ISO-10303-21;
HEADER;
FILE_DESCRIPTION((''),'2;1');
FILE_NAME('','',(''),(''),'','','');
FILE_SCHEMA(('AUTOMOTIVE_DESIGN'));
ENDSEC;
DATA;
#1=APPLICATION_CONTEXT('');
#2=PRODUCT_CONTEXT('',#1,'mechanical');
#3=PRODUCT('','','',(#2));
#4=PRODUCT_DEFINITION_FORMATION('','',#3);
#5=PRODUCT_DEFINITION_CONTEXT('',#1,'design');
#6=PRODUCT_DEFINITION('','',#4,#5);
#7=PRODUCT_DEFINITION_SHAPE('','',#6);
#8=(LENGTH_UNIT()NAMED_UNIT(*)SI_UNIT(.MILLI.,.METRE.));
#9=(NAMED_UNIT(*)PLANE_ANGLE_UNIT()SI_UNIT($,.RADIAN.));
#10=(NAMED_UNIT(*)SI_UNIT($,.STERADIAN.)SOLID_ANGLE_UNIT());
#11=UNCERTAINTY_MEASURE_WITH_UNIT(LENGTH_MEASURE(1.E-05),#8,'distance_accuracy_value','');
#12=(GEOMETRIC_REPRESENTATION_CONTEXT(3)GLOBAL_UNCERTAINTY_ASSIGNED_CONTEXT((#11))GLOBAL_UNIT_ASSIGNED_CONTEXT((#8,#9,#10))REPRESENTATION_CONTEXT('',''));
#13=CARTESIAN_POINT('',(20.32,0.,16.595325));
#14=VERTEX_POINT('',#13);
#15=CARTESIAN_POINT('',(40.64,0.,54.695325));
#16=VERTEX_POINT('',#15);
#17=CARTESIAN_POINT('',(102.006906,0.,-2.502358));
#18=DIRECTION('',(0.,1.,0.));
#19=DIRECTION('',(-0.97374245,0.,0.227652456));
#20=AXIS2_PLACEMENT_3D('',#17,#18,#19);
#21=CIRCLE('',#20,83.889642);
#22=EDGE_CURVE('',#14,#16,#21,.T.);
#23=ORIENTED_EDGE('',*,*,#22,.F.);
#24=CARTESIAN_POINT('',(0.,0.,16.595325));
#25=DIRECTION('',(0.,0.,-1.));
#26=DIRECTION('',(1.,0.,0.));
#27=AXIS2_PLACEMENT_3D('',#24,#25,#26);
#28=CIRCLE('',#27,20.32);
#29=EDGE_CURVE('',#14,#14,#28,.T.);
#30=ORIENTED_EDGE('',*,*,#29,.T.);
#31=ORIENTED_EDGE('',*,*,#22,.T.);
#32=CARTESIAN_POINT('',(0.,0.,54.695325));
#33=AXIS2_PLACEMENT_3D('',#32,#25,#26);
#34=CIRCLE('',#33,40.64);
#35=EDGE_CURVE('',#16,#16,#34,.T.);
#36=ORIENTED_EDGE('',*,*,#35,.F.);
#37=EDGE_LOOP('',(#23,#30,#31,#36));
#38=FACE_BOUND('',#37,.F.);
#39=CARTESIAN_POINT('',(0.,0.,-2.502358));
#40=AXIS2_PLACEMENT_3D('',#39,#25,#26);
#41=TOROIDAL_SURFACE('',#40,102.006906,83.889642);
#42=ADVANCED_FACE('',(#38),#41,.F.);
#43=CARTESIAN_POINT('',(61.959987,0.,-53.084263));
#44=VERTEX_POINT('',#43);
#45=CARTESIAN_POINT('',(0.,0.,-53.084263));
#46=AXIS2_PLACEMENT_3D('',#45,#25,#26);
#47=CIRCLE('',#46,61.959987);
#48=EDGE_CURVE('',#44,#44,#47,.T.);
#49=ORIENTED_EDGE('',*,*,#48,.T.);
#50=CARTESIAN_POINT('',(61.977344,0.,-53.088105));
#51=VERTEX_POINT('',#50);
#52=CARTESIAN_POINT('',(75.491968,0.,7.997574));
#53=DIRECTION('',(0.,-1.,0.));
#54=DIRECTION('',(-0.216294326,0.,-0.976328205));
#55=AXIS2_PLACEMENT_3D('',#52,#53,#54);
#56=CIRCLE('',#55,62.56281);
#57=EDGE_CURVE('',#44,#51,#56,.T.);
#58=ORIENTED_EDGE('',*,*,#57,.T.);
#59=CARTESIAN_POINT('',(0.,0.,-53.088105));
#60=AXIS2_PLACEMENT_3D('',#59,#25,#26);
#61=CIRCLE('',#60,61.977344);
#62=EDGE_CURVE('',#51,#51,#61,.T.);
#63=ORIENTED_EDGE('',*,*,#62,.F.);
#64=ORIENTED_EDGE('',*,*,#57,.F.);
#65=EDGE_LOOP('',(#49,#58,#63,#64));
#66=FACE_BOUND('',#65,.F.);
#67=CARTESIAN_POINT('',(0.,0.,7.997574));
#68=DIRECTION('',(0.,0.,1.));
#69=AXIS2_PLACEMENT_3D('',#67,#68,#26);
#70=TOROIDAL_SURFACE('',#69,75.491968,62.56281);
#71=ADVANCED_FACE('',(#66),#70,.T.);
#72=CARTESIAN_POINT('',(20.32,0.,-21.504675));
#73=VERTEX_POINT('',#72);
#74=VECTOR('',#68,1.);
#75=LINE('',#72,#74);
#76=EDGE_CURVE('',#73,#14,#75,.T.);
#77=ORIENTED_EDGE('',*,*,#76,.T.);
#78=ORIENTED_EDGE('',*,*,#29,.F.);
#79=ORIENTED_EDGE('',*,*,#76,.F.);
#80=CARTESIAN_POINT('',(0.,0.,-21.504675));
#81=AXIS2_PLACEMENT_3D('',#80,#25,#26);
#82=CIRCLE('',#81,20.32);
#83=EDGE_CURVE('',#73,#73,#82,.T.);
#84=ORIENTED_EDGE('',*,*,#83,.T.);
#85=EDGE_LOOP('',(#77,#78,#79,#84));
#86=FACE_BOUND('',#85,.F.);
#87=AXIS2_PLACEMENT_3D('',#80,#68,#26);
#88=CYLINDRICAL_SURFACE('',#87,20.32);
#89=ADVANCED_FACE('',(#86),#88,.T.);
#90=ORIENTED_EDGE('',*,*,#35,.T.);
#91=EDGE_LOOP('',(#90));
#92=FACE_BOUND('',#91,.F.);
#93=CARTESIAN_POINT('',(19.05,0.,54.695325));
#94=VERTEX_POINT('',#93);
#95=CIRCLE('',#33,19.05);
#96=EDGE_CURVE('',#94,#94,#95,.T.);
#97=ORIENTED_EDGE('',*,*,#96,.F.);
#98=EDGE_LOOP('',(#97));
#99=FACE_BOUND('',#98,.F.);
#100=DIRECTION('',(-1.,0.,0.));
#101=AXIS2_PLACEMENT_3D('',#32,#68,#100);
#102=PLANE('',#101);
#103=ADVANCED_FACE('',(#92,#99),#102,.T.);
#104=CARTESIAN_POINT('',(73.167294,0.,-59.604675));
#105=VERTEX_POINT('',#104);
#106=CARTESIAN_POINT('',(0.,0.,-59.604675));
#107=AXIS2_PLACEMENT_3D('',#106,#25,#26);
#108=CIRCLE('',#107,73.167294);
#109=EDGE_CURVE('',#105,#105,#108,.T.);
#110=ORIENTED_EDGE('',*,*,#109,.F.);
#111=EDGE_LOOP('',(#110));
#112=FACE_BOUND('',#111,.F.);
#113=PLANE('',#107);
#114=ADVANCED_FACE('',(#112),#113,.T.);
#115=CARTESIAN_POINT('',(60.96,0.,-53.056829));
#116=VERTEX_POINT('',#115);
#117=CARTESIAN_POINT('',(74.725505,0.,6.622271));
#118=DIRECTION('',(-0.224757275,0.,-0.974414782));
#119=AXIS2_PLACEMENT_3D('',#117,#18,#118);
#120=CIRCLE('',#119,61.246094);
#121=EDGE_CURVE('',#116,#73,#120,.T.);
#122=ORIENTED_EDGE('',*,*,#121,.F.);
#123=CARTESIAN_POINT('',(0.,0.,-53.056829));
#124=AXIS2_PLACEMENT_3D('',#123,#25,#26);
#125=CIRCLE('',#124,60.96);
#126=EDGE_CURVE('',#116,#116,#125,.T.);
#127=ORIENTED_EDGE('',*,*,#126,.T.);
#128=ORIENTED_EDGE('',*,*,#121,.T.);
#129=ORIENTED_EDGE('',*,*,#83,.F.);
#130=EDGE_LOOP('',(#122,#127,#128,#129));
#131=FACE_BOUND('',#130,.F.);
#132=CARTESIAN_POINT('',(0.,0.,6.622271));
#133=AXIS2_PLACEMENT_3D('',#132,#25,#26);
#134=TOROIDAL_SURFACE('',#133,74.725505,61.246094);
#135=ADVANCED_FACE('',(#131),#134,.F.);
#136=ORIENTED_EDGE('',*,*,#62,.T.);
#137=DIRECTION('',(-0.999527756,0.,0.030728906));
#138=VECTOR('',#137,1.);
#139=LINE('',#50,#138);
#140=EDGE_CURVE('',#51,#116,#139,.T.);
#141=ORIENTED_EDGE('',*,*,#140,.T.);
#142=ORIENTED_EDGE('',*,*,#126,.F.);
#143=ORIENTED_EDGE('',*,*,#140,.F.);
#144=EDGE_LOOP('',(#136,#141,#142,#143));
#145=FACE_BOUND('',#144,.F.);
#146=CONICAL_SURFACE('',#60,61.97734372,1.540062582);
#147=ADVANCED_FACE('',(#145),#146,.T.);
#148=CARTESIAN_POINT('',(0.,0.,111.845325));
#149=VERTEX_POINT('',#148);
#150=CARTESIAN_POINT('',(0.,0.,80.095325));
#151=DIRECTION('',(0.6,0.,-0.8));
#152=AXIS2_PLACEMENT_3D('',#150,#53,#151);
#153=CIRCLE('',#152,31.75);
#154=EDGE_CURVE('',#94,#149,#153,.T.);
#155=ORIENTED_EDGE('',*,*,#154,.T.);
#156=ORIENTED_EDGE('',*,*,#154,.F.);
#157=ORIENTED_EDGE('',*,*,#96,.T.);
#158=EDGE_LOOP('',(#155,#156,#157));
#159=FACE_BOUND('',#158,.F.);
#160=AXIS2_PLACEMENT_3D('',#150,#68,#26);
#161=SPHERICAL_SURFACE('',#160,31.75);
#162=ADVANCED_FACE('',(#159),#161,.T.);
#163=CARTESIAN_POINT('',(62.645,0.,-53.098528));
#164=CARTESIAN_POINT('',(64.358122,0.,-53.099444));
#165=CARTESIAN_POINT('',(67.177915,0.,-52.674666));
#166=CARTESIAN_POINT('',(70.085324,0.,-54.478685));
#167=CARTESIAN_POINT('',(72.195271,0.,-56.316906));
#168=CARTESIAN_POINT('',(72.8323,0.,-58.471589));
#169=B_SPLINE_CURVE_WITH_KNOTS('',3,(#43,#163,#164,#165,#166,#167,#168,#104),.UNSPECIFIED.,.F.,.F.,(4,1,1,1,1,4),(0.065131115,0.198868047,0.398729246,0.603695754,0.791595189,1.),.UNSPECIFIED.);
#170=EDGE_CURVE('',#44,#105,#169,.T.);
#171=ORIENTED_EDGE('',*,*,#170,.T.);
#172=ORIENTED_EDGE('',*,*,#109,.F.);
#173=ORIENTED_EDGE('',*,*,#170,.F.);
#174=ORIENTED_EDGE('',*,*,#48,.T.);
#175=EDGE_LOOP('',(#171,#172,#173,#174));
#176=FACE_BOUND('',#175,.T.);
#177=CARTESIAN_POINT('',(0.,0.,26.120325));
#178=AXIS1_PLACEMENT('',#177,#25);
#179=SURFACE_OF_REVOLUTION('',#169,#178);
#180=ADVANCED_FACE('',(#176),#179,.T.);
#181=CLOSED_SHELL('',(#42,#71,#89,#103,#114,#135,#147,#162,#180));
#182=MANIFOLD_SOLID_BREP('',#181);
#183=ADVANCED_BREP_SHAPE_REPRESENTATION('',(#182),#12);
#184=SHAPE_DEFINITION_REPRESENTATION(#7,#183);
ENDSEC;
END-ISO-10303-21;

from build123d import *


with BuildPart() as f1:
    # F0 (on Front) → F1 (revolve)
    with BuildSketch(Plane.XZ):
        with BuildLine():
            Line((20.3200000065, -21.5046745792), (20.3200000065, 16.5953254208))
            ThreePointArc((20.3200000065, 16.5953254208), (27.9866332249, 36.9751210243), (40.6400000008, 54.6953253962))
            Line((40.6400000008, 54.6953253962), (19.05, 54.6953254223))
            ThreePointArc((19.05, 54.6953254223), (30.1206947131, 90.1355569934), (0, 111.8453254223))
            Line((0, 111.8453254223), (0, -59.6046745777))
            Line((0, -59.6046745777), (73.1672942638, -59.6046745777))
            add(Edge.make_bspline(
                [(61.959986691, -53.0842626437), (62.6450001306, -53.0985276683), (64.3581223713, -53.0994443767), (67.1779149327, -52.6746662287), (70.0853238531, -54.4786850628), (72.1952709838, -56.3169056368), (72.8322995659, -58.471589408), (73.1672942638, -59.6046745777)],
                knots=[0.0651311145, 0.0651311145, 0.0651311145, 0.0651311145, 0.1988680466, 0.3987292461, 0.6036957541, 0.7915951892, 1, 1, 1, 1], degree=3))
            ThreePointArc((61.959986691, -53.0842626437), (61.9686650692, -53.0861845922), (61.9773437204, -53.0881053077))
            Line((61.9773437204, -53.0881053077), (60.96, -53.0568286777))
            ThreePointArc((60.96, -53.0568286777), (37.1661352464, -41.7551803237), (20.3200000065, -21.5046745792))
        make_face()
    revolve(axis=Axis((0, 0, 26.1203254223), (0, 0, -1)))


solid = f1.part
